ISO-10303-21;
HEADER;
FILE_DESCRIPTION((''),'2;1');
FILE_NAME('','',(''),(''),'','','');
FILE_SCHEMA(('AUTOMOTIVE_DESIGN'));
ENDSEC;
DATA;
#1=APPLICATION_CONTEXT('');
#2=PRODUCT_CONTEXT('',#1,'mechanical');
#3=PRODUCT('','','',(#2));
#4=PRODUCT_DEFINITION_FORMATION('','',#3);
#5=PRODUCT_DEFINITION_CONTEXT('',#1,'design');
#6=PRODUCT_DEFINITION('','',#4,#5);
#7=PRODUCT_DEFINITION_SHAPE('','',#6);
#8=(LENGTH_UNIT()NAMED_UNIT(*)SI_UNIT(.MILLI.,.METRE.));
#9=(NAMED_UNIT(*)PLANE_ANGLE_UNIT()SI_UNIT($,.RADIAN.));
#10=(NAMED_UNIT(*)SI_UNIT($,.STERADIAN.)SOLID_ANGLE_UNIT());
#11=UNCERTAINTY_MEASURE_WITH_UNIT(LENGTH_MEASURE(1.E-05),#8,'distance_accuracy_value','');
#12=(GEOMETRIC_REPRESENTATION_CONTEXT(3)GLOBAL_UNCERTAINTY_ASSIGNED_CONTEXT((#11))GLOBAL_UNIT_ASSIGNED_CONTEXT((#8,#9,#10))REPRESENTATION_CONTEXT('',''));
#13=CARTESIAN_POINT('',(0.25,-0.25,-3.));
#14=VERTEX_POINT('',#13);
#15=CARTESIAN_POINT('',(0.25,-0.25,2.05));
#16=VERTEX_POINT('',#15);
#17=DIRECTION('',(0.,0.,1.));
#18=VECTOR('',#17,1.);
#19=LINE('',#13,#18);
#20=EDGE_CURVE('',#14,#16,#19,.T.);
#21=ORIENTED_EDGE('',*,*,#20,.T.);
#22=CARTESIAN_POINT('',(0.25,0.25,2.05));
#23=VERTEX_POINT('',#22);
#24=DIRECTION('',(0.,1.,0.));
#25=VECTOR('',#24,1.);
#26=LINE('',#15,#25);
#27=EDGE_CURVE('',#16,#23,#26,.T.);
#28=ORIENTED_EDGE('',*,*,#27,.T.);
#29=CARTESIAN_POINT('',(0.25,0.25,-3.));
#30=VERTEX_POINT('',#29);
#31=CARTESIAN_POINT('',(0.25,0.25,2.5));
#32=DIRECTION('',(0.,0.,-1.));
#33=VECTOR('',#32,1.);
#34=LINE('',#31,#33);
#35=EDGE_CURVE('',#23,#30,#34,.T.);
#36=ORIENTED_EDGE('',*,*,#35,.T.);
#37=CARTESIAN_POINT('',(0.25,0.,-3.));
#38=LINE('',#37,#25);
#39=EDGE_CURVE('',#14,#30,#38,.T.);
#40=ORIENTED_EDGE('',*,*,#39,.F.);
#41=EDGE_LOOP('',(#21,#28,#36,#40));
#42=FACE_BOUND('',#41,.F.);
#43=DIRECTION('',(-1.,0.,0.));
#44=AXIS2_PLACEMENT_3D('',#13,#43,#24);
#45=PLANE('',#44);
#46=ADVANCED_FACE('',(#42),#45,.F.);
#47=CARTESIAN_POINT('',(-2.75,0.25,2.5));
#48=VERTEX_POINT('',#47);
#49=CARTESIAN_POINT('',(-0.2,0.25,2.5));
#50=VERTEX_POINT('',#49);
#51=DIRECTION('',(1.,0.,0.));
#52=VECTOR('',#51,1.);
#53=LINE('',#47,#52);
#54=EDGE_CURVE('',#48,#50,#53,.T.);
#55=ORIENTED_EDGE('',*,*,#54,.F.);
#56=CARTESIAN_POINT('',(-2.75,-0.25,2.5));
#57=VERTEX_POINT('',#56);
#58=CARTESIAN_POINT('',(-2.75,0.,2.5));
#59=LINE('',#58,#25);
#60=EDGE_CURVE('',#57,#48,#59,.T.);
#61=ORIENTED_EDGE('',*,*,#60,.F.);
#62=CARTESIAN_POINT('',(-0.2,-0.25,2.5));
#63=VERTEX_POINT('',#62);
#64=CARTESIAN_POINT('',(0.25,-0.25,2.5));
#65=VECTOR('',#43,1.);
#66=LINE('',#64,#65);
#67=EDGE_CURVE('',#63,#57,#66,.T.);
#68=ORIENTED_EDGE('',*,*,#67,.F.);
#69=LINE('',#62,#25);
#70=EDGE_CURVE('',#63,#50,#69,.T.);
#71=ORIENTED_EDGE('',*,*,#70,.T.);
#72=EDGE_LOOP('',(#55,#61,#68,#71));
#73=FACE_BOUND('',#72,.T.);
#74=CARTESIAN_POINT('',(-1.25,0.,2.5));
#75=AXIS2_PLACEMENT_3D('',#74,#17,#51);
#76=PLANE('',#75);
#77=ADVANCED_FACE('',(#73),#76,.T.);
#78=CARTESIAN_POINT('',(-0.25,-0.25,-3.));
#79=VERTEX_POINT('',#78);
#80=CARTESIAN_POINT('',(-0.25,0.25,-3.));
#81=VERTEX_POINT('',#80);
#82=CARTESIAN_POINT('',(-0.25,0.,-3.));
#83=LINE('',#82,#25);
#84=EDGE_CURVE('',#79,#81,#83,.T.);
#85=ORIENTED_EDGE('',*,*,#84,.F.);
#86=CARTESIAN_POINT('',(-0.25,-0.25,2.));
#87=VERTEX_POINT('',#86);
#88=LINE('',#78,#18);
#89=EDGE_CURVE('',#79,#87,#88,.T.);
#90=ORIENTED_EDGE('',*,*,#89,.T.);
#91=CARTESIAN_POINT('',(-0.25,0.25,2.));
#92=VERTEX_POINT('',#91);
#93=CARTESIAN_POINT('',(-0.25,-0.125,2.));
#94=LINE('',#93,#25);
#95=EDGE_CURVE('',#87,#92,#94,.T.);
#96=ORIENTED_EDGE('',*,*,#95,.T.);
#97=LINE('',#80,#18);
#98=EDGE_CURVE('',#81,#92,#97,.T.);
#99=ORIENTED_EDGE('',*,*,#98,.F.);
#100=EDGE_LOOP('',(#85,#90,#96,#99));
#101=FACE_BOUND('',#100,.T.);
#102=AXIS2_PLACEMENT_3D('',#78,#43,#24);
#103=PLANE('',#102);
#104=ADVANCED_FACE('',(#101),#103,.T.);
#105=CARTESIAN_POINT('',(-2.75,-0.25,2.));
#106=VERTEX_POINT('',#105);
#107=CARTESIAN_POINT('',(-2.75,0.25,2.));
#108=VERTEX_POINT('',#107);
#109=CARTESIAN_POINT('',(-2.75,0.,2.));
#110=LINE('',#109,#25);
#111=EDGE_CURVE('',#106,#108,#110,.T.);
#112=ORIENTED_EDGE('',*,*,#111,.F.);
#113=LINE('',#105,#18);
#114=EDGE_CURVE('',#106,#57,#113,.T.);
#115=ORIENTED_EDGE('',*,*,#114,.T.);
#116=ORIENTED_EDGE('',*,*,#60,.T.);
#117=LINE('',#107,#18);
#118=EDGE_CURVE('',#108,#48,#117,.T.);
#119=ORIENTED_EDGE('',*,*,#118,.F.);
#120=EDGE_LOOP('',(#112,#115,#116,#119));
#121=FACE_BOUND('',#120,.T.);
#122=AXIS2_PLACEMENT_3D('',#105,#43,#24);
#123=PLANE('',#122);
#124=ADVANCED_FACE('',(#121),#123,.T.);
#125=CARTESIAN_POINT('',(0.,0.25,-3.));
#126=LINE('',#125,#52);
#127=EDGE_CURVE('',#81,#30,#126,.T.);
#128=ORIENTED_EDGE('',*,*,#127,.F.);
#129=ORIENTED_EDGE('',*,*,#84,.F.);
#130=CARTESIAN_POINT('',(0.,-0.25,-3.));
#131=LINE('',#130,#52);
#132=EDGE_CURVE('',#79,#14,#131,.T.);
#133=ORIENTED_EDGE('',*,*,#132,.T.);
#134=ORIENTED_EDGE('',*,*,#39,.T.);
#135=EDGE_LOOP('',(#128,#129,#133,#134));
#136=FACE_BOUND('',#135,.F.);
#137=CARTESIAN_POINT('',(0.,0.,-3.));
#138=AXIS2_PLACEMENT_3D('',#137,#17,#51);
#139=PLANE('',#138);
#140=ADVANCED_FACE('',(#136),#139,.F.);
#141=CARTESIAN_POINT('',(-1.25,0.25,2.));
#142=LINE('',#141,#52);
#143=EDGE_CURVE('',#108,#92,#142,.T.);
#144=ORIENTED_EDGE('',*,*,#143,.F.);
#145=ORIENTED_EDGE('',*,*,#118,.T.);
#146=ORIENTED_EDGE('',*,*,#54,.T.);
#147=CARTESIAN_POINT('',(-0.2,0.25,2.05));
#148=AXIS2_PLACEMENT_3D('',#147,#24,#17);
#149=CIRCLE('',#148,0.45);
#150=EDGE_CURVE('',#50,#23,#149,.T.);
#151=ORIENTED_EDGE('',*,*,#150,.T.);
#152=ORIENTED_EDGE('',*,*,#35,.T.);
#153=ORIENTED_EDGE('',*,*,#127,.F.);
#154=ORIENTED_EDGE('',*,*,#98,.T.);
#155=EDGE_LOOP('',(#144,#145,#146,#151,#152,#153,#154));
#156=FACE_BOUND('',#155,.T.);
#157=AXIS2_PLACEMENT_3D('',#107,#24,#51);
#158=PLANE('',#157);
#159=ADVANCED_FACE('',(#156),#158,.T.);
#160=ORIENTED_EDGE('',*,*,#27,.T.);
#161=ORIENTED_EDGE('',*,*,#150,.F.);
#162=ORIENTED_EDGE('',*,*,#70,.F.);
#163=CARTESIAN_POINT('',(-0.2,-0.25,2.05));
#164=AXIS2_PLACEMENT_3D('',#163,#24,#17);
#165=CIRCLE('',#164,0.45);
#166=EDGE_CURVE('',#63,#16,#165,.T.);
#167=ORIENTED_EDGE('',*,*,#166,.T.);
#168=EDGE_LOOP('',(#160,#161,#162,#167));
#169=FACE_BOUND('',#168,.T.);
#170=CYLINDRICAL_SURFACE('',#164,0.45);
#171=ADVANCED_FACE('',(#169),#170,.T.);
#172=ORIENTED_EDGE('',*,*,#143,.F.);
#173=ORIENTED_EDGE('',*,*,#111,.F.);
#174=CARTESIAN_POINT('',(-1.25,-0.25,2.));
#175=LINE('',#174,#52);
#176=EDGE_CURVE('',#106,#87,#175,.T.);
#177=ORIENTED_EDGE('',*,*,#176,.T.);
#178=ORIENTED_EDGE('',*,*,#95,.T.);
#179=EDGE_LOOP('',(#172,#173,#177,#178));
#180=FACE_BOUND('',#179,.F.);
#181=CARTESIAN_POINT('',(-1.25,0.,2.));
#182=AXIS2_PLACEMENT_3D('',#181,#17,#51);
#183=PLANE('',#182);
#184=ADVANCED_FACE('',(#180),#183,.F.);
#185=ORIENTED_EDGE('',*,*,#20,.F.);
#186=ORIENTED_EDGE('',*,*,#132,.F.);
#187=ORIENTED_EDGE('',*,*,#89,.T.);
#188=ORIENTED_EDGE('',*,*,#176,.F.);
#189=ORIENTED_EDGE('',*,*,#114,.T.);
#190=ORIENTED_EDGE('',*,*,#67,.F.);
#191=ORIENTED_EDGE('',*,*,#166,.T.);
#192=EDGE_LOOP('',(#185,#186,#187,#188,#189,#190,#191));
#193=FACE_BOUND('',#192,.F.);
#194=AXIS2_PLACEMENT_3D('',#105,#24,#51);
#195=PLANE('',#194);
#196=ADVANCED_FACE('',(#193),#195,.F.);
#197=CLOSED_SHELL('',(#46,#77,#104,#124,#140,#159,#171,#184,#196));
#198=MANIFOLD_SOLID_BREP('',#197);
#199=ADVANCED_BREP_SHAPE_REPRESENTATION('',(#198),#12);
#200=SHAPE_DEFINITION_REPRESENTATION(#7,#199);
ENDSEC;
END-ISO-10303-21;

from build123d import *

# Parameters (mm, degrees)
BOX017_W     = 3
BOX017_H     = 0.5
BOX017_DEPTH = 0.5
BOX014_W     = 0.5
BOX014_H     = 0.5
BOX014_DEPTH = 5.5
FILLET006_R  = 0.45


with BuildPart() as kub017:
    # Box017 → Box017 (new body)
    with BuildSketch(Plane(origin=(-2.75, -0.25, 2), x_dir=(1, 0, 0), z_dir=(0, 0, 1))):
        with Locations((1.5, 0.25)):
            Rectangle(BOX017_W, BOX017_H)
    extrude(amount=BOX017_DEPTH)


with BuildPart() as fillet006:
    # Box014 → Box014 (new body)
    with BuildSketch(Plane(origin=(-0.25, -0.25, -3), x_dir=(1, 0, 0), z_dir=(0, 0, 1))):
        with Locations((0.25, 0.25)):
            Rectangle(BOX014_W, BOX014_H)
    extrude(amount=BOX014_DEPTH)

    # Fusion002: union Kub017
    add(kub017.part)

    # Fillet006
    fillet006_edges = [fillet006.edges().sort_by_distance(p)[0] for p in [
        (0.25, 0, 2.5),
    ]]
    fillet(fillet006_edges, radius=FILLET006_R)


solid = fillet006.part
